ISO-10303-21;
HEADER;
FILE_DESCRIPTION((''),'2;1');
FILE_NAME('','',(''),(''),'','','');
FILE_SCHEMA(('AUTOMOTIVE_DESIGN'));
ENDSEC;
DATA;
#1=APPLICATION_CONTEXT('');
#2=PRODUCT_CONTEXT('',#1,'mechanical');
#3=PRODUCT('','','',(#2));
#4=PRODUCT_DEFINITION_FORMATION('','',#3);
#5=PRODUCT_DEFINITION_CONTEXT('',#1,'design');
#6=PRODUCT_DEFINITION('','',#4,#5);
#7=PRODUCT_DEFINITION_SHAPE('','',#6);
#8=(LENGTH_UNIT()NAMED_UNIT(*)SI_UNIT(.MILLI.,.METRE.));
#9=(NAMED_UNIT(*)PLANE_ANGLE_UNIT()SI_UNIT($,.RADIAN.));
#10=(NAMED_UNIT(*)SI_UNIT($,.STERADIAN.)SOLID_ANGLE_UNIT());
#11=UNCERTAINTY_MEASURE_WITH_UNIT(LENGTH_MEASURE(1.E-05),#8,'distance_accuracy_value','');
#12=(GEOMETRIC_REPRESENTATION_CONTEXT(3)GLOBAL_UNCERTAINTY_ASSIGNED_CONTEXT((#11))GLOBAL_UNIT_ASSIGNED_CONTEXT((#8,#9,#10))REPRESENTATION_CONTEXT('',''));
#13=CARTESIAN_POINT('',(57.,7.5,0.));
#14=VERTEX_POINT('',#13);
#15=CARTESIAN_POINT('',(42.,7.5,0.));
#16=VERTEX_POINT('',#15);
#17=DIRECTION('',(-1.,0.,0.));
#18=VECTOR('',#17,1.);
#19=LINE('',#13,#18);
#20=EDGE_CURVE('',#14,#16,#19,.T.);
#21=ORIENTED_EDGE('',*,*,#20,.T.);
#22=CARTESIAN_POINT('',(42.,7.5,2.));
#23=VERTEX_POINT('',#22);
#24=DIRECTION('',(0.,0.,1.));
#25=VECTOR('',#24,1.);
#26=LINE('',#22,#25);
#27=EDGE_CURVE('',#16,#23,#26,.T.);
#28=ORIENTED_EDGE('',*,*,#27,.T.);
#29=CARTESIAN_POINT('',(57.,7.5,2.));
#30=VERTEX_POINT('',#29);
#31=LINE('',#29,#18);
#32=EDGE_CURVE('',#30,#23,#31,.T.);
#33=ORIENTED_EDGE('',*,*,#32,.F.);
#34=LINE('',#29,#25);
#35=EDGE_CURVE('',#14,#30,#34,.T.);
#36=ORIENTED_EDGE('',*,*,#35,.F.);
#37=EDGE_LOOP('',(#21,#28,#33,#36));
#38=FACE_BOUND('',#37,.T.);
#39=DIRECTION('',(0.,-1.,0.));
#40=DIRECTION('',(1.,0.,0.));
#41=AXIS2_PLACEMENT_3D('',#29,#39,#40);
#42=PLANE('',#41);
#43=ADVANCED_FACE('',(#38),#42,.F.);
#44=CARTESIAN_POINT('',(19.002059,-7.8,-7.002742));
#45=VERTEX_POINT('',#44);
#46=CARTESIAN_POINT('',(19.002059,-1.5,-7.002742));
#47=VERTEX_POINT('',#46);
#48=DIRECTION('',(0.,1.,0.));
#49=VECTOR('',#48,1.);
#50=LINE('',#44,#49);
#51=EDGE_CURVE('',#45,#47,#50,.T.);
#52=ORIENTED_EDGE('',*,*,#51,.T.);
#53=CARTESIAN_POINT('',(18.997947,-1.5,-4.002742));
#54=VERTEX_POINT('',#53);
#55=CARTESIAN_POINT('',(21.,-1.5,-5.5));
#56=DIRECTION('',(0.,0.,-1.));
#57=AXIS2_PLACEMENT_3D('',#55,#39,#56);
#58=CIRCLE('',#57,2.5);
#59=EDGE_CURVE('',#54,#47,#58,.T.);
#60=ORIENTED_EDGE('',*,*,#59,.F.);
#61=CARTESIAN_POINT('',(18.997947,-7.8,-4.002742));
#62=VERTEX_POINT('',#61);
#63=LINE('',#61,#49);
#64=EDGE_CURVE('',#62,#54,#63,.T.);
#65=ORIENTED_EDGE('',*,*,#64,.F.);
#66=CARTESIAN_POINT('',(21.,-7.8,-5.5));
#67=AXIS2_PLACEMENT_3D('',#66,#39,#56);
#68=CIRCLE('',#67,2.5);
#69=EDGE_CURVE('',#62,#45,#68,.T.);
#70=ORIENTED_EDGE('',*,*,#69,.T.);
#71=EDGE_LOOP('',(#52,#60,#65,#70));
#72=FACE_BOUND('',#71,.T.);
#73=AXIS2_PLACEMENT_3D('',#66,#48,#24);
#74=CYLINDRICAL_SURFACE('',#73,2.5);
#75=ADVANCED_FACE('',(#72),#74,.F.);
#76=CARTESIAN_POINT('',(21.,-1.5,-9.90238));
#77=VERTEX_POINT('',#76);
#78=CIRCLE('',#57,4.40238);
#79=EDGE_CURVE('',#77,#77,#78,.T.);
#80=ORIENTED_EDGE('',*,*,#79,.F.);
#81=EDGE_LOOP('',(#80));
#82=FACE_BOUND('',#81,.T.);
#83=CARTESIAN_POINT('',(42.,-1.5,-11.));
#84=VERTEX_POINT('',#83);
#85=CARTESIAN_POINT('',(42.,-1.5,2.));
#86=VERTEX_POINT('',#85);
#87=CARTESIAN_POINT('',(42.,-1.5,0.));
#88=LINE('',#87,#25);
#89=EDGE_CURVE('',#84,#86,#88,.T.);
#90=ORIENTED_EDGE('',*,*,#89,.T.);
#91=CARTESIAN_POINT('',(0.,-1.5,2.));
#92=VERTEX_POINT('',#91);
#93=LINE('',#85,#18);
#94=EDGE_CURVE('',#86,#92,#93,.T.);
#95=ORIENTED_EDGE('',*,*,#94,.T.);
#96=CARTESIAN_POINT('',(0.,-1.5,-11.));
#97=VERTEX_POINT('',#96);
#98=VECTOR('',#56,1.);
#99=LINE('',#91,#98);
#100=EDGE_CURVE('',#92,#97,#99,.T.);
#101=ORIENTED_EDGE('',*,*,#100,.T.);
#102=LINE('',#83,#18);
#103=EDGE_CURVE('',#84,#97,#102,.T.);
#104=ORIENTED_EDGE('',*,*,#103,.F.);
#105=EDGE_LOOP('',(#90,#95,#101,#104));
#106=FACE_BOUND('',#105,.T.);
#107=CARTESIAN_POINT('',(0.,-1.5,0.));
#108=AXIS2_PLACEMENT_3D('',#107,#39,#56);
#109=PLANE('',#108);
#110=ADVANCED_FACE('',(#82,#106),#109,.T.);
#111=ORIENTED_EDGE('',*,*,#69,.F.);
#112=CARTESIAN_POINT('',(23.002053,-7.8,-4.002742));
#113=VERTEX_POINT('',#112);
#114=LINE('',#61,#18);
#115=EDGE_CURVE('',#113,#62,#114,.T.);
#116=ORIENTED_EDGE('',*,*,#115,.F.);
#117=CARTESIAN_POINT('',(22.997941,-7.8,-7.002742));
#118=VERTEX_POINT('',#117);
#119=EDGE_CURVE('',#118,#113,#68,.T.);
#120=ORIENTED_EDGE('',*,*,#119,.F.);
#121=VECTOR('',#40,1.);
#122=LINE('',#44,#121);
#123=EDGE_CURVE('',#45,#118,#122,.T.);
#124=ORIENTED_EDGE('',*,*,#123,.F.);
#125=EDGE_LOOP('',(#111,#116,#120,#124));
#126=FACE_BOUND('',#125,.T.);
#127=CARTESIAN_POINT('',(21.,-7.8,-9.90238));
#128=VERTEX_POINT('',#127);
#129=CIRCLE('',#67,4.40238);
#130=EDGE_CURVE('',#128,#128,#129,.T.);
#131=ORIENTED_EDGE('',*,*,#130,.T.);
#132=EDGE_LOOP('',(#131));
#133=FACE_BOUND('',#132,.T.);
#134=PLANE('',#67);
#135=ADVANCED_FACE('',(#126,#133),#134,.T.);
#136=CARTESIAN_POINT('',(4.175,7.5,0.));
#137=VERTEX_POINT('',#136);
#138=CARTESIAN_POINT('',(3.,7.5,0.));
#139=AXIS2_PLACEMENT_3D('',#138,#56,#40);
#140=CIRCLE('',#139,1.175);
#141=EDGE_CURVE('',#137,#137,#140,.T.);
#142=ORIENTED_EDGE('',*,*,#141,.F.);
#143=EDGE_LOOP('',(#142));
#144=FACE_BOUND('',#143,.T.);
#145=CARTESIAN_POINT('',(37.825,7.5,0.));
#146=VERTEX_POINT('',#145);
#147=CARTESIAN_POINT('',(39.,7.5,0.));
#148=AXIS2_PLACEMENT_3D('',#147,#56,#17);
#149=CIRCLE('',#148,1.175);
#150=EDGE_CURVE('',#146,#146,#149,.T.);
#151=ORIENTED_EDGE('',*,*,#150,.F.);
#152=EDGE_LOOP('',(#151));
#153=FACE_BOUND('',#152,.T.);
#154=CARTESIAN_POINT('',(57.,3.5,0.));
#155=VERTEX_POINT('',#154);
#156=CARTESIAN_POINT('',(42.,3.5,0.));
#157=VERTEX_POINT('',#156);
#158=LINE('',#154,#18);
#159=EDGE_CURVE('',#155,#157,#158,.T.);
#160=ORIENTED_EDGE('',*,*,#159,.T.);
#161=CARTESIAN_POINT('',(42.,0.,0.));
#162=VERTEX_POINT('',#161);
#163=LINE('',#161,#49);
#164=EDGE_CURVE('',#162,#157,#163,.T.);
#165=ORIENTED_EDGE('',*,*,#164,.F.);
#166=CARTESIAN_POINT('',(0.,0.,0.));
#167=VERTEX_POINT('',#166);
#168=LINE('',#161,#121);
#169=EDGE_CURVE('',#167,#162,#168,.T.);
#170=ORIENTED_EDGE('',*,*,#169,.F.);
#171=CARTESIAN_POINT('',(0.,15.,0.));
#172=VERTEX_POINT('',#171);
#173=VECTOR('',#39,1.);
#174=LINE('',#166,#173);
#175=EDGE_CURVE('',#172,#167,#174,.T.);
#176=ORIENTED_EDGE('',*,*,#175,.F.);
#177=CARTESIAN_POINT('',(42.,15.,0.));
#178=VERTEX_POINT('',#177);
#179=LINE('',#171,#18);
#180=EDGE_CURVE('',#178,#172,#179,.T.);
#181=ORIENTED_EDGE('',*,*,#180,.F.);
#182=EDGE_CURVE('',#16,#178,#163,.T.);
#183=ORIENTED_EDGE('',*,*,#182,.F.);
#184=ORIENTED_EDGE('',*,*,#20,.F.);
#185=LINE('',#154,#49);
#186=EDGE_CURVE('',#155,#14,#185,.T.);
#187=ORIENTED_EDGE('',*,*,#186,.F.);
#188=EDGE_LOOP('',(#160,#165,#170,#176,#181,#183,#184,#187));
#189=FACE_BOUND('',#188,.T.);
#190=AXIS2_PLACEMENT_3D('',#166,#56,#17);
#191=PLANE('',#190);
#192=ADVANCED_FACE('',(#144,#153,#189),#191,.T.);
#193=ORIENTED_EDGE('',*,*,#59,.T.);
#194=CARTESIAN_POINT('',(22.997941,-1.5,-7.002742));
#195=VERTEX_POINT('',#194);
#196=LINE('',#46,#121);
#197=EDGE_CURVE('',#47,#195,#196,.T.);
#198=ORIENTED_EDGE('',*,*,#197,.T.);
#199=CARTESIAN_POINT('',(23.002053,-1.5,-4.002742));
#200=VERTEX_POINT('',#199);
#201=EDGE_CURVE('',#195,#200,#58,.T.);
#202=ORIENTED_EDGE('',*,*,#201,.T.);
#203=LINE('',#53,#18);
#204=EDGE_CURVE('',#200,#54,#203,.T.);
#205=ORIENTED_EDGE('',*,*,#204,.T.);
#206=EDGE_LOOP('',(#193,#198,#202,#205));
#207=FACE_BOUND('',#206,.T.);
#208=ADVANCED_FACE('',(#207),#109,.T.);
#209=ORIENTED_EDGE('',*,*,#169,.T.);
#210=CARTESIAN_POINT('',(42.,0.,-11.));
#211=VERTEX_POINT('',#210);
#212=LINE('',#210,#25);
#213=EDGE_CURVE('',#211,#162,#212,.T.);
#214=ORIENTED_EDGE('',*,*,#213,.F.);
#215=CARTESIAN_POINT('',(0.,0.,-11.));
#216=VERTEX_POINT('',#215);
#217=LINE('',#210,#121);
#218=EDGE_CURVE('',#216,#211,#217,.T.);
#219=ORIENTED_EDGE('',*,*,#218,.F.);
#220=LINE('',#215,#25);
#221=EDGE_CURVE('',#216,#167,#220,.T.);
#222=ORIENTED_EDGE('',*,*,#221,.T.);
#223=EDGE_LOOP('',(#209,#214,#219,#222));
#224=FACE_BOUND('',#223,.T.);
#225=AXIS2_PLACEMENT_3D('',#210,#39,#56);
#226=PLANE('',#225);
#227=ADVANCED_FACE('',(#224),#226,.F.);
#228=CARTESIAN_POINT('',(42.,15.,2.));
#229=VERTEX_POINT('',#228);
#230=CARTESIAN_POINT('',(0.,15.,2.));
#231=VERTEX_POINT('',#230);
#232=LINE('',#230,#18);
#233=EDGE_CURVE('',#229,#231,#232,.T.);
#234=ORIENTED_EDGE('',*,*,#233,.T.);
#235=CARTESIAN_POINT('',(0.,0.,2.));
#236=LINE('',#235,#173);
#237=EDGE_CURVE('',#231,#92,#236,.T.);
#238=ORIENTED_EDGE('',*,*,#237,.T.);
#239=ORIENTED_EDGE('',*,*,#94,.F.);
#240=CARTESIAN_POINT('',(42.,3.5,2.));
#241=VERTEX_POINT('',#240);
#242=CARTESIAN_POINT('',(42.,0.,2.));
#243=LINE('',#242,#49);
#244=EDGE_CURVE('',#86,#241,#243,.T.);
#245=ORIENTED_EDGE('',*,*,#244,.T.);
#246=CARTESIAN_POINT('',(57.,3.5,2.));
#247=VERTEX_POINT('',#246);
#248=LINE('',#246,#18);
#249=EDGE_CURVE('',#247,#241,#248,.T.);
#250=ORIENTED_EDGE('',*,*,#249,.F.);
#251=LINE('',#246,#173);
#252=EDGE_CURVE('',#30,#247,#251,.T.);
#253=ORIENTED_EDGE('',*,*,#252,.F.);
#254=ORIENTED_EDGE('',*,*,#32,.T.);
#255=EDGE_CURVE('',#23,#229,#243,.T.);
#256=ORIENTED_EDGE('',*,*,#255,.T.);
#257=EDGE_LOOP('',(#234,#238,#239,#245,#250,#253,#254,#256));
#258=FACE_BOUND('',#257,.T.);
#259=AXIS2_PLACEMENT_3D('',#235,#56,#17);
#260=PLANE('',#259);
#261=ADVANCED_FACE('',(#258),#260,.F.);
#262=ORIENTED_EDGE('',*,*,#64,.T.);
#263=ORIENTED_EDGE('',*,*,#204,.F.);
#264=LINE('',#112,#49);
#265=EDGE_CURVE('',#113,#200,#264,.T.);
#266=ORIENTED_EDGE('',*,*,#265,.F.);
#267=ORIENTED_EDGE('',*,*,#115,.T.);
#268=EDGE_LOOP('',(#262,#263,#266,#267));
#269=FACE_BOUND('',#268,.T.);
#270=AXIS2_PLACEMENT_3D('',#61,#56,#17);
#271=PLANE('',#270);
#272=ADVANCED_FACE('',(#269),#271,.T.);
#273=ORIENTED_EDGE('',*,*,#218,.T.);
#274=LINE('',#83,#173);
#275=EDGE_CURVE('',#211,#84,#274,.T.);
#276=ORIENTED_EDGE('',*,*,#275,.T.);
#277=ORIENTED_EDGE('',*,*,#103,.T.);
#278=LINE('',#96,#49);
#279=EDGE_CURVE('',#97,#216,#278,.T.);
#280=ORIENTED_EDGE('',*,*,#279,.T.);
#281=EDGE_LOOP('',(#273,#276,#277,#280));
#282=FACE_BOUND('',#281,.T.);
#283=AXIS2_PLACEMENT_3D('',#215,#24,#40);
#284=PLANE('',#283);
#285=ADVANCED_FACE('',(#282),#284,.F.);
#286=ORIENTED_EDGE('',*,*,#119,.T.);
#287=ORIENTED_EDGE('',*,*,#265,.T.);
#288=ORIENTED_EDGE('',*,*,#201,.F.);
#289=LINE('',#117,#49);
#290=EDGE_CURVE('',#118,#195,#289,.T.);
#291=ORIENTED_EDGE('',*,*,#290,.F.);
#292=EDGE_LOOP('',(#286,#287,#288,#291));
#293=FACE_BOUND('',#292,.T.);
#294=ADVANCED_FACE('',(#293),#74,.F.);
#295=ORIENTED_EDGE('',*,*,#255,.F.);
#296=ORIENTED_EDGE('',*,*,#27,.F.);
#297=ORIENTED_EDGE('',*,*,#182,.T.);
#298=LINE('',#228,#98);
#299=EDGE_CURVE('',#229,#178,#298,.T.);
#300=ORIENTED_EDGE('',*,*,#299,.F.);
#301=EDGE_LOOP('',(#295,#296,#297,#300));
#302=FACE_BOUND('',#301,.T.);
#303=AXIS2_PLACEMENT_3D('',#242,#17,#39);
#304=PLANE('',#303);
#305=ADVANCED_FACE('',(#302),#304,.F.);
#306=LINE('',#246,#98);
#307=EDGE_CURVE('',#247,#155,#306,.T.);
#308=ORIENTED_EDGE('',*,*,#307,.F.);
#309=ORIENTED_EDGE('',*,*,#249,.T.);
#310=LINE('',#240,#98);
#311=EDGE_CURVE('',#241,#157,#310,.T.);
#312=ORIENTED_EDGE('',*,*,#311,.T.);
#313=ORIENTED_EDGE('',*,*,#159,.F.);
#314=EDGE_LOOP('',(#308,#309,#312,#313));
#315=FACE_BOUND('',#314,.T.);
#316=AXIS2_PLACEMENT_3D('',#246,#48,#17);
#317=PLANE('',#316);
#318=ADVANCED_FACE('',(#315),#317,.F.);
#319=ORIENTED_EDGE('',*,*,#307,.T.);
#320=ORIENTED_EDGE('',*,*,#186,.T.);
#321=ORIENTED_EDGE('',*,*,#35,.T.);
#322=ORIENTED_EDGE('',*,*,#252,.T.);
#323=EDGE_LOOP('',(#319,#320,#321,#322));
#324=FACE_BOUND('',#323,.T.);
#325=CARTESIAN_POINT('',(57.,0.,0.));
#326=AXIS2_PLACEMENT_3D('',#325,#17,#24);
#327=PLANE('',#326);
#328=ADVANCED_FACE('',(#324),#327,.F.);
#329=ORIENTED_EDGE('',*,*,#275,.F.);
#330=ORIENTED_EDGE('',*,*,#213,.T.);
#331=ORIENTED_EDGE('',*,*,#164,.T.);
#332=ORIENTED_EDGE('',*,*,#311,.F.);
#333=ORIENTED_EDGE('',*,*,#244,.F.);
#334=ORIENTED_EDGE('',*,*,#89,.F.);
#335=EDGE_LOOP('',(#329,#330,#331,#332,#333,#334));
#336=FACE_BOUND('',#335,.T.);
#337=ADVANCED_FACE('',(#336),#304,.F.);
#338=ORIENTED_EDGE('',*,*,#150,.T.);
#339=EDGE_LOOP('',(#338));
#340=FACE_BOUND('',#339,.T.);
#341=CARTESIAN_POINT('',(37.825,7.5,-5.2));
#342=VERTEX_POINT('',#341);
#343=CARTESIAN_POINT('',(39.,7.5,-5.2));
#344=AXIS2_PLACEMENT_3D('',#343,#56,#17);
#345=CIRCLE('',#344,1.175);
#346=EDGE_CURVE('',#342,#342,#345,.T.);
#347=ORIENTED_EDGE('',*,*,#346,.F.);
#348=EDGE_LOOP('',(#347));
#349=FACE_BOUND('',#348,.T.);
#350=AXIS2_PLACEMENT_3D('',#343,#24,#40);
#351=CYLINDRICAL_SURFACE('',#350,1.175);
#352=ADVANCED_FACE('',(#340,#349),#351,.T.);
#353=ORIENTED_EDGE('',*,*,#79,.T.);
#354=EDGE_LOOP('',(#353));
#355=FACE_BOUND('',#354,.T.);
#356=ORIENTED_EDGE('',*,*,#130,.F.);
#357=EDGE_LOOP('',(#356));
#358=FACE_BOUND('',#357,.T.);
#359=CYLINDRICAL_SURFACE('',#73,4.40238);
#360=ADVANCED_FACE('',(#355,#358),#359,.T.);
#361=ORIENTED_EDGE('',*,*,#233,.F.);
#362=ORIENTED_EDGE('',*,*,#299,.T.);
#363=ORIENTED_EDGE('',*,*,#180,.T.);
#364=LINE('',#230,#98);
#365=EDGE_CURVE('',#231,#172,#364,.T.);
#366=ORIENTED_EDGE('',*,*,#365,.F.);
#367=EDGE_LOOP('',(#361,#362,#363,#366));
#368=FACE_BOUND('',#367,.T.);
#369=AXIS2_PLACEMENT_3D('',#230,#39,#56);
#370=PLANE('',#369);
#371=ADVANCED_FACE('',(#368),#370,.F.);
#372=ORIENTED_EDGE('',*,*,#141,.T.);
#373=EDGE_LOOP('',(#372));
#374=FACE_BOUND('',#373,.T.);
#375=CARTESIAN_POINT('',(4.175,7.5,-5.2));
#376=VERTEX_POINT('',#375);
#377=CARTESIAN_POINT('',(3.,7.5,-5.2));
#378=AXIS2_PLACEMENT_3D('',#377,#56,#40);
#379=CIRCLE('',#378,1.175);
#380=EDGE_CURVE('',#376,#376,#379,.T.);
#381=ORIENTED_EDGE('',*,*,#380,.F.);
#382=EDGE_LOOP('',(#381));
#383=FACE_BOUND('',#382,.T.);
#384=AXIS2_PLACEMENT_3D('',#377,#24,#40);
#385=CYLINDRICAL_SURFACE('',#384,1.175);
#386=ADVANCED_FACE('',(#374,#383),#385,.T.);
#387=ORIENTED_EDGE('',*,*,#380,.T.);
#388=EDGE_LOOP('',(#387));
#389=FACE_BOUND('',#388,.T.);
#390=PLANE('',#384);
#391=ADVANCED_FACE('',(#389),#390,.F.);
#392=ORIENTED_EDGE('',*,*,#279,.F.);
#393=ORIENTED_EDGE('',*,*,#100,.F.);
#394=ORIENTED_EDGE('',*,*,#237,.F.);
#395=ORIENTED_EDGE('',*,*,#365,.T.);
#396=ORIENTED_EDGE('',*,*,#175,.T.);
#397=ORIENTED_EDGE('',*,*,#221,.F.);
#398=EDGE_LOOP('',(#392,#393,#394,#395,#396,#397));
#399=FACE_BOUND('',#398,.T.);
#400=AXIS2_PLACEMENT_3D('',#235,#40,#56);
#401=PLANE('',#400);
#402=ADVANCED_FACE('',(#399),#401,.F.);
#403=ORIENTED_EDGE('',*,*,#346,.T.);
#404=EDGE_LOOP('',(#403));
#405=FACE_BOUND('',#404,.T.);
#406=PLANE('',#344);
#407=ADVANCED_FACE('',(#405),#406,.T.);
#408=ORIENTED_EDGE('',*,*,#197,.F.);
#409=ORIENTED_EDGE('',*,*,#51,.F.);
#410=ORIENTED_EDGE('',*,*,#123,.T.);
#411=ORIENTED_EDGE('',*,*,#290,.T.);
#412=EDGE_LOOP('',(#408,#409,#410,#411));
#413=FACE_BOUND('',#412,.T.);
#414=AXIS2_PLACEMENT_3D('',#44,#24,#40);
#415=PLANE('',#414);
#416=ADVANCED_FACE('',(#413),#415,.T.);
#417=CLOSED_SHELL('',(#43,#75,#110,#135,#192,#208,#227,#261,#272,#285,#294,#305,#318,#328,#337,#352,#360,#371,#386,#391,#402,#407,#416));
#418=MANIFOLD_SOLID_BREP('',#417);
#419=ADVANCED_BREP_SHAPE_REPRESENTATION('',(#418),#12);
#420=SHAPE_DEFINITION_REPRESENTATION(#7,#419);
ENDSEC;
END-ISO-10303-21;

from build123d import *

# Parameters (mm, degrees)
ESQUISSE1_W        = 42
ESQUISSE1_H        = 15
BOSS_EXTRU_1_DEPTH = 2
ESQUISSE2_R        = 1.175
BOSS_EXTRU_2_DEPTH = 5.2
ESQUISSE3_W        = 2
ESQUISSE3_H        = 4
BOSS_EXTRU_3_DEPTH = 15
ESQUISSE4_W        = 42
ESQUISSE4_H        = 2
BOSS_EXTRU_4_DEPTH = 1.5
ESQUISSE5_W        = 42
ESQUISSE5_H        = 1.5
BOSS_EXTRU_5_DEPTH = 11
ESQUISSE6_R        = 4.402379767
BOSS_EXTRU_6_DEPTH = 6.3


with BuildPart() as part:
    # Esquisse1 → Boss.-Extru.1 (new body)
    with BuildSketch(Plane.XY):
        with Locations((21, 7.5)):
            Rectangle(ESQUISSE1_W, ESQUISSE1_H)
    extrude(amount=BOSS_EXTRU_1_DEPTH)

    # Esquisse2 → Boss.-Extru.2 (add)
    with BuildSketch(Plane(origin=(0, 0, 0), x_dir=(-1, 0, 0), z_dir=(0, 0, -1))):
        with Locations((-39, 7.5)):
            Circle(ESQUISSE2_R)
        with Locations(Location((-3, 7.5, 0), (0, 0, 180))):
            Circle(ESQUISSE2_R)
    extrude(amount=BOSS_EXTRU_2_DEPTH)

    # Esquisse3 → Boss.-Extru.3 (add)
    with BuildSketch(Plane(origin=(42, 0, 0), x_dir=(0, 0, -1), z_dir=(1, 0, 0))):
        with Locations((-1, 5.5)):
            Rectangle(ESQUISSE3_W, ESQUISSE3_H)
    extrude(amount=BOSS_EXTRU_3_DEPTH)

    # Esquisse4 → Boss.-Extru.4 (add)
    with BuildSketch(Plane.XZ):
        with Locations((21, 1)):
            Rectangle(ESQUISSE4_W, ESQUISSE4_H)
    extrude(amount=BOSS_EXTRU_4_DEPTH)

    # Esquisse5 → Boss.-Extru.5 (add)
    with BuildSketch(Plane(origin=(0, 0, 0), x_dir=(-1, 0, 0), z_dir=(0, 0, -1))):
        with Locations((-21, -0.75)):
            Rectangle(ESQUISSE5_W, ESQUISSE5_H)
    extrude(amount=BOSS_EXTRU_5_DEPTH)

    # Esquisse6 → Boss.-Extru.6 (add)
    with BuildSketch(Plane.XZ.offset(1.5)):
        with Locations(Location((21, -5.5, 0), (0, 0, 270))):
            Circle(ESQUISSE6_R)
        with BuildLine():
            Line((19.002059064, -7.0027415), (22.997940936, -7.0027415))
            ThreePointArc((22.997940936, -7.0027415), (23.499997651, -5.503426877), (23.002053192, -4.0027415))
            Line((23.002053192, -4.0027415), (18.997946808, -4.0027415))
            ThreePointArc((18.997946808, -4.0027415), (18.500002349, -5.503426877), (19.002059064, -7.0027415))
        make_face(mode=Mode.SUBTRACT)
    extrude(amount=BOSS_EXTRU_6_DEPTH)


solid = part.part
